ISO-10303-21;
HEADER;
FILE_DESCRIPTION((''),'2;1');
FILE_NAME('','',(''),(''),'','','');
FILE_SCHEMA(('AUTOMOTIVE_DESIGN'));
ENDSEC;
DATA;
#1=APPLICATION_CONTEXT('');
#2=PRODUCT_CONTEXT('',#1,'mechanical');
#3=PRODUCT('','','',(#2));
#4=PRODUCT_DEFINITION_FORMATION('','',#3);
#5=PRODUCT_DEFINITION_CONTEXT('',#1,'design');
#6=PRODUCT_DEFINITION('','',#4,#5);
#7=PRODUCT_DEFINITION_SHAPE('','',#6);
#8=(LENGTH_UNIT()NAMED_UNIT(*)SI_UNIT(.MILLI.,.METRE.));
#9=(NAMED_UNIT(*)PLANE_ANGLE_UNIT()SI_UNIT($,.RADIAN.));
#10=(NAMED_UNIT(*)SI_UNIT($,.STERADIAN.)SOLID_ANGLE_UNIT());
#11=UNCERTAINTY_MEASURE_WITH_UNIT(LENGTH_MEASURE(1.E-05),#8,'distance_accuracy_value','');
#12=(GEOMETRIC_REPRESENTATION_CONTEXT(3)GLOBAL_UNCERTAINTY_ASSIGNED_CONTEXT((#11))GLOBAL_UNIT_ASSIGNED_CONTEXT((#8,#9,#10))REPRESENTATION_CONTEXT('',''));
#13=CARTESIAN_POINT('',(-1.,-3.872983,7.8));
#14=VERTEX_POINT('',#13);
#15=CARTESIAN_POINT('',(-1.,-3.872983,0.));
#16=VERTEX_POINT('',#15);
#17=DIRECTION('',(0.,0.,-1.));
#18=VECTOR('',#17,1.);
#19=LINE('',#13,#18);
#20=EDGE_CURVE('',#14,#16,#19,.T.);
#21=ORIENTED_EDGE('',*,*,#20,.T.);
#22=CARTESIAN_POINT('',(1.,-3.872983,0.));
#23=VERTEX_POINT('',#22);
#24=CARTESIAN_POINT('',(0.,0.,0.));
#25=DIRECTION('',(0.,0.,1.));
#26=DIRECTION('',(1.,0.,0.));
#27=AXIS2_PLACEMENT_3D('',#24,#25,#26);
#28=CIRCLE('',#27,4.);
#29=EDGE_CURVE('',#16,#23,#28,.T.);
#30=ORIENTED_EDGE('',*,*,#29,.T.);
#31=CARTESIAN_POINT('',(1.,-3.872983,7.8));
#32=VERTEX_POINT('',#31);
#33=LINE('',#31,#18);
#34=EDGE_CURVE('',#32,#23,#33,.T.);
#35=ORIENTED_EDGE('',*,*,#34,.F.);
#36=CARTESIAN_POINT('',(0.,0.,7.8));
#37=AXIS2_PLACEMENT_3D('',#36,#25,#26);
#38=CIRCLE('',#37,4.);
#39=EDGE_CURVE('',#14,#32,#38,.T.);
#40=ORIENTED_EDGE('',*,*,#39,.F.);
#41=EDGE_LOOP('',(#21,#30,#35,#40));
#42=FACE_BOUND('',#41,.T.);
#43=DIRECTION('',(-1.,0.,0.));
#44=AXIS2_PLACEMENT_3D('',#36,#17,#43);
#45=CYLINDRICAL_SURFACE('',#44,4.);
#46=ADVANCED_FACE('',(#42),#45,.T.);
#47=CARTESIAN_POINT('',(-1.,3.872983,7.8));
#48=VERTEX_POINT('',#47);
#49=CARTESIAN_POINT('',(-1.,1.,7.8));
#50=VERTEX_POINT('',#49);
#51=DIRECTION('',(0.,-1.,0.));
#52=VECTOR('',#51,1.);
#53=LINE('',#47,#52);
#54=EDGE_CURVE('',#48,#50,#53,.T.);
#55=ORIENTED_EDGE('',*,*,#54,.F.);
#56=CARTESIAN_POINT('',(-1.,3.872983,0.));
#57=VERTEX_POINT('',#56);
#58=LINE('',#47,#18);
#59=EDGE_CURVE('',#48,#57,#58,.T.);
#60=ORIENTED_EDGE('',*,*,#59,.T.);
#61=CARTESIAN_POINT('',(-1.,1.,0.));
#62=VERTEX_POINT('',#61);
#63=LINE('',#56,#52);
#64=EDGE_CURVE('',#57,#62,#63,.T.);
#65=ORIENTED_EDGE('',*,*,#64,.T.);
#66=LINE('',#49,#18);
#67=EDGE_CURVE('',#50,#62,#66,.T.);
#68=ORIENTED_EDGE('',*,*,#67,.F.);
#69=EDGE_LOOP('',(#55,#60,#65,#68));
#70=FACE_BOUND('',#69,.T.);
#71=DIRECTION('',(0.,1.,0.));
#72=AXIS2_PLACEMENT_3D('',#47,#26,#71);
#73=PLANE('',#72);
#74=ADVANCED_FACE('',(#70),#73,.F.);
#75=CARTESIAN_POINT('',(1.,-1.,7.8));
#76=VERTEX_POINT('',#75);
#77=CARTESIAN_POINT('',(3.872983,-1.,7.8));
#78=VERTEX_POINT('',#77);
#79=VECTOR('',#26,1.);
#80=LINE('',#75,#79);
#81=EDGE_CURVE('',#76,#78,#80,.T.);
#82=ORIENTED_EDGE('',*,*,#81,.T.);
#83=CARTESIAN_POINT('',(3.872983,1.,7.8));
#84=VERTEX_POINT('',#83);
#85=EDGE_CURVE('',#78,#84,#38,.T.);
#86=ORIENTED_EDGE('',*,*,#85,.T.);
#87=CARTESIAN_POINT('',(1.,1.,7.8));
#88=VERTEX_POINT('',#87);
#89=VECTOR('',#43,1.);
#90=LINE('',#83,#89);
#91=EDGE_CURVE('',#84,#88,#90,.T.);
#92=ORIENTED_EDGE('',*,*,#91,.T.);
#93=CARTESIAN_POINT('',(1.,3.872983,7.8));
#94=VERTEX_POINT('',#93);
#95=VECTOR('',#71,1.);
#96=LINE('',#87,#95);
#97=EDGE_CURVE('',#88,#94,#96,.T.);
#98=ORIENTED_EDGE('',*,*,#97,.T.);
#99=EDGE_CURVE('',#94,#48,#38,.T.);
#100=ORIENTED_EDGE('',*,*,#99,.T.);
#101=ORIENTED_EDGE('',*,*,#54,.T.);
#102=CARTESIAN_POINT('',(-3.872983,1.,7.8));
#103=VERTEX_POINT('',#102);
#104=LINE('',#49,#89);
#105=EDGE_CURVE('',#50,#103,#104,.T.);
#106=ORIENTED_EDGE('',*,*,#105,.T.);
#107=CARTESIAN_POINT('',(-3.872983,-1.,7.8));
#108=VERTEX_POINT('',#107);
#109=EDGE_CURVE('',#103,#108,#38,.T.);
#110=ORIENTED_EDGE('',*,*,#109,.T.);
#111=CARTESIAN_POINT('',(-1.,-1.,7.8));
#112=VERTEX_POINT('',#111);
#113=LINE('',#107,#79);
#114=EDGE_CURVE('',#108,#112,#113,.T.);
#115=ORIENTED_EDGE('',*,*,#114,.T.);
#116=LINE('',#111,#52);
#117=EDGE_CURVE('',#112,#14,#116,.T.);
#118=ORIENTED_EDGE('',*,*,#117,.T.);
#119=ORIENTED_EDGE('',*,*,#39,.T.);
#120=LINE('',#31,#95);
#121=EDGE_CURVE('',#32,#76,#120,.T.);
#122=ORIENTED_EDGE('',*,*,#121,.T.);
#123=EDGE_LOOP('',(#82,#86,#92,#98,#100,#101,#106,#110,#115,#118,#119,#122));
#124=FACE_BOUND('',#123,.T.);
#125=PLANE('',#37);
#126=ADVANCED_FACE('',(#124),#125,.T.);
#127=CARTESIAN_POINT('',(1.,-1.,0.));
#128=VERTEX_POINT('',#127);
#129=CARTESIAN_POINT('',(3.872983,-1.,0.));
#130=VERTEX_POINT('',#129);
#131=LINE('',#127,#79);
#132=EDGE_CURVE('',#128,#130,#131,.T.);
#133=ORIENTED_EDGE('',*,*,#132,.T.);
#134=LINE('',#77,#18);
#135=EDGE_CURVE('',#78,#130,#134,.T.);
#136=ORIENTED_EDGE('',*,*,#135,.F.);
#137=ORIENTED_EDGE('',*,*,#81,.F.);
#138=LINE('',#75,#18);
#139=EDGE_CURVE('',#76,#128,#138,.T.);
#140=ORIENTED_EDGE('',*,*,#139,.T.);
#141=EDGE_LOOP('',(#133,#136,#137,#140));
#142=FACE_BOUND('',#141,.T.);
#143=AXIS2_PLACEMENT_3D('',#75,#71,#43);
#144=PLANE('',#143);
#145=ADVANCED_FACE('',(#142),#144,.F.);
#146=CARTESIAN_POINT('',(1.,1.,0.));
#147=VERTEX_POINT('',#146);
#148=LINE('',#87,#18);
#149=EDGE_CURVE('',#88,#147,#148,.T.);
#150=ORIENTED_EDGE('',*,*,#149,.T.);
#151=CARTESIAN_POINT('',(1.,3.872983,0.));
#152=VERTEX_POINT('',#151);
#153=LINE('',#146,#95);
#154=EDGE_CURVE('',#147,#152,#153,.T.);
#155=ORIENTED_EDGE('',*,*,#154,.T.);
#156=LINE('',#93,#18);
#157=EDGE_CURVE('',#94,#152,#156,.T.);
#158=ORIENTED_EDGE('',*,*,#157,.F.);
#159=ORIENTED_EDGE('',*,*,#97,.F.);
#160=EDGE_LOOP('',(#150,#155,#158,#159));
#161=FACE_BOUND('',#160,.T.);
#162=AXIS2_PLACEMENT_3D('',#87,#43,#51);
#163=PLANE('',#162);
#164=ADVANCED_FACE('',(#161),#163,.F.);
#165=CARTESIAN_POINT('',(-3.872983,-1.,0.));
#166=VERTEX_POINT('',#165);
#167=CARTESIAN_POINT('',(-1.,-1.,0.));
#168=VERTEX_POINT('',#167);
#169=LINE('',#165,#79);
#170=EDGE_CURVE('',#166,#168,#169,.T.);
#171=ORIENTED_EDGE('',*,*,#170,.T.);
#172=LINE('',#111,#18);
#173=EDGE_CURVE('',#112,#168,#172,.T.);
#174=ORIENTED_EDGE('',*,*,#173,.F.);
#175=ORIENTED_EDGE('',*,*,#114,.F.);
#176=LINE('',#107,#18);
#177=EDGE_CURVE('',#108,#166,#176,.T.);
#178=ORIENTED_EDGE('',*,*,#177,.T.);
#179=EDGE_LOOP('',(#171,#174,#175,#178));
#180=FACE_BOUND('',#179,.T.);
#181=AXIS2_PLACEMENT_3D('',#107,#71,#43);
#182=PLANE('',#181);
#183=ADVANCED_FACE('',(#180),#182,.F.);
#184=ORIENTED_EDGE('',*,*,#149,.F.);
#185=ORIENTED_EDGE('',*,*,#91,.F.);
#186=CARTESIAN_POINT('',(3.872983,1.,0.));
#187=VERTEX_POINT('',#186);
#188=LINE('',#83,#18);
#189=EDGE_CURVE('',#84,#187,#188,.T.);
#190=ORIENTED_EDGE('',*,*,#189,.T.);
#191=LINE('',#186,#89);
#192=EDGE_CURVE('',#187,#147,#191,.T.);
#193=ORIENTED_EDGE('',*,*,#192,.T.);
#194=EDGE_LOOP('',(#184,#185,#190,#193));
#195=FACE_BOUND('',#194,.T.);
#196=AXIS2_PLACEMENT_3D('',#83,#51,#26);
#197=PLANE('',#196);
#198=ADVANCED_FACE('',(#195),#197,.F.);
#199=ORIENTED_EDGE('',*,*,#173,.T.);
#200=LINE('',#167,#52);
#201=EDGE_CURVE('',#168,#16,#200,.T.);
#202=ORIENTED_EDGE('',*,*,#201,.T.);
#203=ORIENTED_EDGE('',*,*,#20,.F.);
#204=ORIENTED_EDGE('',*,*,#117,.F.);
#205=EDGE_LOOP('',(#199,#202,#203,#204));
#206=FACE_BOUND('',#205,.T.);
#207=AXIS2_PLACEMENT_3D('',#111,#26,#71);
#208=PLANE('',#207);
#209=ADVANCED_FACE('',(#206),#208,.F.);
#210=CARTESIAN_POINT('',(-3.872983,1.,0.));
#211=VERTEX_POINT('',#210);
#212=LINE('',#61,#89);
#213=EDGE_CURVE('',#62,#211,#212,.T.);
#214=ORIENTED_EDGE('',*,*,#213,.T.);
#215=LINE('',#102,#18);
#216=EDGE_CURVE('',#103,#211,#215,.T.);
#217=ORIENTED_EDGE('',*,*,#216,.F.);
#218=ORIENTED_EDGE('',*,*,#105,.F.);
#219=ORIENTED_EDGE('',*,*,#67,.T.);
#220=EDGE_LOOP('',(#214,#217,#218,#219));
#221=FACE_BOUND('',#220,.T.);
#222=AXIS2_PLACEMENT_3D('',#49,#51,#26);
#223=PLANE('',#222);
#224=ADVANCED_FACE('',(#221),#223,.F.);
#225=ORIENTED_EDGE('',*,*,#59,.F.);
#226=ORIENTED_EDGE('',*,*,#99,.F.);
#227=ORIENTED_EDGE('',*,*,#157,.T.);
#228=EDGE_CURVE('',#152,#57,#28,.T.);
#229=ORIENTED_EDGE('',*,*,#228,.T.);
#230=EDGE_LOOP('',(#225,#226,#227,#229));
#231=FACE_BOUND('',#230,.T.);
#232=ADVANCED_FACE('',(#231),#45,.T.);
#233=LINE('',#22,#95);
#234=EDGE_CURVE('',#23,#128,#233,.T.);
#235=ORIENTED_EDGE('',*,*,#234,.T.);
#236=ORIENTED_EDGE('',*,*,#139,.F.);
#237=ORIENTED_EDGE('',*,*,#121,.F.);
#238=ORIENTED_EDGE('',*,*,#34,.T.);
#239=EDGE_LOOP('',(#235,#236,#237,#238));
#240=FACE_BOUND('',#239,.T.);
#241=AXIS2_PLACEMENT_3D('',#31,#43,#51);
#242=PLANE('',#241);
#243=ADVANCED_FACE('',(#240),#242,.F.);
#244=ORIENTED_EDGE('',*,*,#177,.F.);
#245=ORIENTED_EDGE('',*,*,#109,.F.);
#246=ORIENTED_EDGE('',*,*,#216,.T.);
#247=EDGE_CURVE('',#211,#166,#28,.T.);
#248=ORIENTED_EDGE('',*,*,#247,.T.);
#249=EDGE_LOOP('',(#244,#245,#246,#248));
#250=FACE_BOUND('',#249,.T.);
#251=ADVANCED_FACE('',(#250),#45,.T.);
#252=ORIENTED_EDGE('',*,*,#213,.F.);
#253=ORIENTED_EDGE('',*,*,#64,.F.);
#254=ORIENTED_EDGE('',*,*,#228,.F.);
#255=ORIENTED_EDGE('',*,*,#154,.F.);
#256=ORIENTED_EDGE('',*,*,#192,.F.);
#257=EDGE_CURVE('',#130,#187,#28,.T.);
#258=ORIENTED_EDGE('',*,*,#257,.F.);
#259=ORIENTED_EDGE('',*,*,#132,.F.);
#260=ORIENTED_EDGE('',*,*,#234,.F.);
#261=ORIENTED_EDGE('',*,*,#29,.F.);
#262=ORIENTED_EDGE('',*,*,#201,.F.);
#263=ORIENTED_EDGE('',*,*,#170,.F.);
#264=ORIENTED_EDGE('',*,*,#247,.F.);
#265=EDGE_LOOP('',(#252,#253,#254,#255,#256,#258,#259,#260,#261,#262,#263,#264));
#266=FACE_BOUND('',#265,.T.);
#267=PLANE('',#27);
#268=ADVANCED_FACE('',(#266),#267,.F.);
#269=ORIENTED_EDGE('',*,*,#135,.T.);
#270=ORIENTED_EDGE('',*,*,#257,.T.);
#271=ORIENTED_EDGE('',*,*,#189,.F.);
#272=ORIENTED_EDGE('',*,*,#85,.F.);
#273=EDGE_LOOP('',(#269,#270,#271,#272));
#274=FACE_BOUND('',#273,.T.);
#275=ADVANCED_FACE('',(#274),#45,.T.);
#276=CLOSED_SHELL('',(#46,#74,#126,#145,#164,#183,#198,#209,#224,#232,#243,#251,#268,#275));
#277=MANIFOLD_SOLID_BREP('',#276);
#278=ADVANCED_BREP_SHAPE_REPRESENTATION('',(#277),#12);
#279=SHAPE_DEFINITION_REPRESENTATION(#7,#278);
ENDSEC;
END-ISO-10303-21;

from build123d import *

# Parameters (mm, degrees)
BOSS_EXTRUDE1_DEPTH = 7.8


with BuildPart() as part:
    # Sketch3 → Boss-Extrude1 (new body)
    with BuildSketch(Plane.XY):
        with BuildLine():
            Line((-1, 1), (-3.872983346, 1))
            ThreePointArc((-3.872983346, 1), (-4, 0), (-3.872983346, -1))
            Line((-3.872983346, -1), (-1, -1))
            Line((-1, -1), (-1, -3.872983346))
            ThreePointArc((-1, -3.872983346), (0, -4), (1, -3.872983346))
            Line((1, -3.872983346), (1, -1))
            Line((1, -1), (3.872983346, -1))
            ThreePointArc((3.872983346, -1), (4, 0), (3.872983346, 1))
            Line((3.872983346, 1), (1, 1))
            Line((1, 1), (1, 3.872983346))
            ThreePointArc((1, 3.872983346), (0, 4), (-1, 3.872983346))
            Line((-1, 3.872983346), (-1, 1))
        make_face()
    extrude(amount=BOSS_EXTRUDE1_DEPTH)


solid = part.part
